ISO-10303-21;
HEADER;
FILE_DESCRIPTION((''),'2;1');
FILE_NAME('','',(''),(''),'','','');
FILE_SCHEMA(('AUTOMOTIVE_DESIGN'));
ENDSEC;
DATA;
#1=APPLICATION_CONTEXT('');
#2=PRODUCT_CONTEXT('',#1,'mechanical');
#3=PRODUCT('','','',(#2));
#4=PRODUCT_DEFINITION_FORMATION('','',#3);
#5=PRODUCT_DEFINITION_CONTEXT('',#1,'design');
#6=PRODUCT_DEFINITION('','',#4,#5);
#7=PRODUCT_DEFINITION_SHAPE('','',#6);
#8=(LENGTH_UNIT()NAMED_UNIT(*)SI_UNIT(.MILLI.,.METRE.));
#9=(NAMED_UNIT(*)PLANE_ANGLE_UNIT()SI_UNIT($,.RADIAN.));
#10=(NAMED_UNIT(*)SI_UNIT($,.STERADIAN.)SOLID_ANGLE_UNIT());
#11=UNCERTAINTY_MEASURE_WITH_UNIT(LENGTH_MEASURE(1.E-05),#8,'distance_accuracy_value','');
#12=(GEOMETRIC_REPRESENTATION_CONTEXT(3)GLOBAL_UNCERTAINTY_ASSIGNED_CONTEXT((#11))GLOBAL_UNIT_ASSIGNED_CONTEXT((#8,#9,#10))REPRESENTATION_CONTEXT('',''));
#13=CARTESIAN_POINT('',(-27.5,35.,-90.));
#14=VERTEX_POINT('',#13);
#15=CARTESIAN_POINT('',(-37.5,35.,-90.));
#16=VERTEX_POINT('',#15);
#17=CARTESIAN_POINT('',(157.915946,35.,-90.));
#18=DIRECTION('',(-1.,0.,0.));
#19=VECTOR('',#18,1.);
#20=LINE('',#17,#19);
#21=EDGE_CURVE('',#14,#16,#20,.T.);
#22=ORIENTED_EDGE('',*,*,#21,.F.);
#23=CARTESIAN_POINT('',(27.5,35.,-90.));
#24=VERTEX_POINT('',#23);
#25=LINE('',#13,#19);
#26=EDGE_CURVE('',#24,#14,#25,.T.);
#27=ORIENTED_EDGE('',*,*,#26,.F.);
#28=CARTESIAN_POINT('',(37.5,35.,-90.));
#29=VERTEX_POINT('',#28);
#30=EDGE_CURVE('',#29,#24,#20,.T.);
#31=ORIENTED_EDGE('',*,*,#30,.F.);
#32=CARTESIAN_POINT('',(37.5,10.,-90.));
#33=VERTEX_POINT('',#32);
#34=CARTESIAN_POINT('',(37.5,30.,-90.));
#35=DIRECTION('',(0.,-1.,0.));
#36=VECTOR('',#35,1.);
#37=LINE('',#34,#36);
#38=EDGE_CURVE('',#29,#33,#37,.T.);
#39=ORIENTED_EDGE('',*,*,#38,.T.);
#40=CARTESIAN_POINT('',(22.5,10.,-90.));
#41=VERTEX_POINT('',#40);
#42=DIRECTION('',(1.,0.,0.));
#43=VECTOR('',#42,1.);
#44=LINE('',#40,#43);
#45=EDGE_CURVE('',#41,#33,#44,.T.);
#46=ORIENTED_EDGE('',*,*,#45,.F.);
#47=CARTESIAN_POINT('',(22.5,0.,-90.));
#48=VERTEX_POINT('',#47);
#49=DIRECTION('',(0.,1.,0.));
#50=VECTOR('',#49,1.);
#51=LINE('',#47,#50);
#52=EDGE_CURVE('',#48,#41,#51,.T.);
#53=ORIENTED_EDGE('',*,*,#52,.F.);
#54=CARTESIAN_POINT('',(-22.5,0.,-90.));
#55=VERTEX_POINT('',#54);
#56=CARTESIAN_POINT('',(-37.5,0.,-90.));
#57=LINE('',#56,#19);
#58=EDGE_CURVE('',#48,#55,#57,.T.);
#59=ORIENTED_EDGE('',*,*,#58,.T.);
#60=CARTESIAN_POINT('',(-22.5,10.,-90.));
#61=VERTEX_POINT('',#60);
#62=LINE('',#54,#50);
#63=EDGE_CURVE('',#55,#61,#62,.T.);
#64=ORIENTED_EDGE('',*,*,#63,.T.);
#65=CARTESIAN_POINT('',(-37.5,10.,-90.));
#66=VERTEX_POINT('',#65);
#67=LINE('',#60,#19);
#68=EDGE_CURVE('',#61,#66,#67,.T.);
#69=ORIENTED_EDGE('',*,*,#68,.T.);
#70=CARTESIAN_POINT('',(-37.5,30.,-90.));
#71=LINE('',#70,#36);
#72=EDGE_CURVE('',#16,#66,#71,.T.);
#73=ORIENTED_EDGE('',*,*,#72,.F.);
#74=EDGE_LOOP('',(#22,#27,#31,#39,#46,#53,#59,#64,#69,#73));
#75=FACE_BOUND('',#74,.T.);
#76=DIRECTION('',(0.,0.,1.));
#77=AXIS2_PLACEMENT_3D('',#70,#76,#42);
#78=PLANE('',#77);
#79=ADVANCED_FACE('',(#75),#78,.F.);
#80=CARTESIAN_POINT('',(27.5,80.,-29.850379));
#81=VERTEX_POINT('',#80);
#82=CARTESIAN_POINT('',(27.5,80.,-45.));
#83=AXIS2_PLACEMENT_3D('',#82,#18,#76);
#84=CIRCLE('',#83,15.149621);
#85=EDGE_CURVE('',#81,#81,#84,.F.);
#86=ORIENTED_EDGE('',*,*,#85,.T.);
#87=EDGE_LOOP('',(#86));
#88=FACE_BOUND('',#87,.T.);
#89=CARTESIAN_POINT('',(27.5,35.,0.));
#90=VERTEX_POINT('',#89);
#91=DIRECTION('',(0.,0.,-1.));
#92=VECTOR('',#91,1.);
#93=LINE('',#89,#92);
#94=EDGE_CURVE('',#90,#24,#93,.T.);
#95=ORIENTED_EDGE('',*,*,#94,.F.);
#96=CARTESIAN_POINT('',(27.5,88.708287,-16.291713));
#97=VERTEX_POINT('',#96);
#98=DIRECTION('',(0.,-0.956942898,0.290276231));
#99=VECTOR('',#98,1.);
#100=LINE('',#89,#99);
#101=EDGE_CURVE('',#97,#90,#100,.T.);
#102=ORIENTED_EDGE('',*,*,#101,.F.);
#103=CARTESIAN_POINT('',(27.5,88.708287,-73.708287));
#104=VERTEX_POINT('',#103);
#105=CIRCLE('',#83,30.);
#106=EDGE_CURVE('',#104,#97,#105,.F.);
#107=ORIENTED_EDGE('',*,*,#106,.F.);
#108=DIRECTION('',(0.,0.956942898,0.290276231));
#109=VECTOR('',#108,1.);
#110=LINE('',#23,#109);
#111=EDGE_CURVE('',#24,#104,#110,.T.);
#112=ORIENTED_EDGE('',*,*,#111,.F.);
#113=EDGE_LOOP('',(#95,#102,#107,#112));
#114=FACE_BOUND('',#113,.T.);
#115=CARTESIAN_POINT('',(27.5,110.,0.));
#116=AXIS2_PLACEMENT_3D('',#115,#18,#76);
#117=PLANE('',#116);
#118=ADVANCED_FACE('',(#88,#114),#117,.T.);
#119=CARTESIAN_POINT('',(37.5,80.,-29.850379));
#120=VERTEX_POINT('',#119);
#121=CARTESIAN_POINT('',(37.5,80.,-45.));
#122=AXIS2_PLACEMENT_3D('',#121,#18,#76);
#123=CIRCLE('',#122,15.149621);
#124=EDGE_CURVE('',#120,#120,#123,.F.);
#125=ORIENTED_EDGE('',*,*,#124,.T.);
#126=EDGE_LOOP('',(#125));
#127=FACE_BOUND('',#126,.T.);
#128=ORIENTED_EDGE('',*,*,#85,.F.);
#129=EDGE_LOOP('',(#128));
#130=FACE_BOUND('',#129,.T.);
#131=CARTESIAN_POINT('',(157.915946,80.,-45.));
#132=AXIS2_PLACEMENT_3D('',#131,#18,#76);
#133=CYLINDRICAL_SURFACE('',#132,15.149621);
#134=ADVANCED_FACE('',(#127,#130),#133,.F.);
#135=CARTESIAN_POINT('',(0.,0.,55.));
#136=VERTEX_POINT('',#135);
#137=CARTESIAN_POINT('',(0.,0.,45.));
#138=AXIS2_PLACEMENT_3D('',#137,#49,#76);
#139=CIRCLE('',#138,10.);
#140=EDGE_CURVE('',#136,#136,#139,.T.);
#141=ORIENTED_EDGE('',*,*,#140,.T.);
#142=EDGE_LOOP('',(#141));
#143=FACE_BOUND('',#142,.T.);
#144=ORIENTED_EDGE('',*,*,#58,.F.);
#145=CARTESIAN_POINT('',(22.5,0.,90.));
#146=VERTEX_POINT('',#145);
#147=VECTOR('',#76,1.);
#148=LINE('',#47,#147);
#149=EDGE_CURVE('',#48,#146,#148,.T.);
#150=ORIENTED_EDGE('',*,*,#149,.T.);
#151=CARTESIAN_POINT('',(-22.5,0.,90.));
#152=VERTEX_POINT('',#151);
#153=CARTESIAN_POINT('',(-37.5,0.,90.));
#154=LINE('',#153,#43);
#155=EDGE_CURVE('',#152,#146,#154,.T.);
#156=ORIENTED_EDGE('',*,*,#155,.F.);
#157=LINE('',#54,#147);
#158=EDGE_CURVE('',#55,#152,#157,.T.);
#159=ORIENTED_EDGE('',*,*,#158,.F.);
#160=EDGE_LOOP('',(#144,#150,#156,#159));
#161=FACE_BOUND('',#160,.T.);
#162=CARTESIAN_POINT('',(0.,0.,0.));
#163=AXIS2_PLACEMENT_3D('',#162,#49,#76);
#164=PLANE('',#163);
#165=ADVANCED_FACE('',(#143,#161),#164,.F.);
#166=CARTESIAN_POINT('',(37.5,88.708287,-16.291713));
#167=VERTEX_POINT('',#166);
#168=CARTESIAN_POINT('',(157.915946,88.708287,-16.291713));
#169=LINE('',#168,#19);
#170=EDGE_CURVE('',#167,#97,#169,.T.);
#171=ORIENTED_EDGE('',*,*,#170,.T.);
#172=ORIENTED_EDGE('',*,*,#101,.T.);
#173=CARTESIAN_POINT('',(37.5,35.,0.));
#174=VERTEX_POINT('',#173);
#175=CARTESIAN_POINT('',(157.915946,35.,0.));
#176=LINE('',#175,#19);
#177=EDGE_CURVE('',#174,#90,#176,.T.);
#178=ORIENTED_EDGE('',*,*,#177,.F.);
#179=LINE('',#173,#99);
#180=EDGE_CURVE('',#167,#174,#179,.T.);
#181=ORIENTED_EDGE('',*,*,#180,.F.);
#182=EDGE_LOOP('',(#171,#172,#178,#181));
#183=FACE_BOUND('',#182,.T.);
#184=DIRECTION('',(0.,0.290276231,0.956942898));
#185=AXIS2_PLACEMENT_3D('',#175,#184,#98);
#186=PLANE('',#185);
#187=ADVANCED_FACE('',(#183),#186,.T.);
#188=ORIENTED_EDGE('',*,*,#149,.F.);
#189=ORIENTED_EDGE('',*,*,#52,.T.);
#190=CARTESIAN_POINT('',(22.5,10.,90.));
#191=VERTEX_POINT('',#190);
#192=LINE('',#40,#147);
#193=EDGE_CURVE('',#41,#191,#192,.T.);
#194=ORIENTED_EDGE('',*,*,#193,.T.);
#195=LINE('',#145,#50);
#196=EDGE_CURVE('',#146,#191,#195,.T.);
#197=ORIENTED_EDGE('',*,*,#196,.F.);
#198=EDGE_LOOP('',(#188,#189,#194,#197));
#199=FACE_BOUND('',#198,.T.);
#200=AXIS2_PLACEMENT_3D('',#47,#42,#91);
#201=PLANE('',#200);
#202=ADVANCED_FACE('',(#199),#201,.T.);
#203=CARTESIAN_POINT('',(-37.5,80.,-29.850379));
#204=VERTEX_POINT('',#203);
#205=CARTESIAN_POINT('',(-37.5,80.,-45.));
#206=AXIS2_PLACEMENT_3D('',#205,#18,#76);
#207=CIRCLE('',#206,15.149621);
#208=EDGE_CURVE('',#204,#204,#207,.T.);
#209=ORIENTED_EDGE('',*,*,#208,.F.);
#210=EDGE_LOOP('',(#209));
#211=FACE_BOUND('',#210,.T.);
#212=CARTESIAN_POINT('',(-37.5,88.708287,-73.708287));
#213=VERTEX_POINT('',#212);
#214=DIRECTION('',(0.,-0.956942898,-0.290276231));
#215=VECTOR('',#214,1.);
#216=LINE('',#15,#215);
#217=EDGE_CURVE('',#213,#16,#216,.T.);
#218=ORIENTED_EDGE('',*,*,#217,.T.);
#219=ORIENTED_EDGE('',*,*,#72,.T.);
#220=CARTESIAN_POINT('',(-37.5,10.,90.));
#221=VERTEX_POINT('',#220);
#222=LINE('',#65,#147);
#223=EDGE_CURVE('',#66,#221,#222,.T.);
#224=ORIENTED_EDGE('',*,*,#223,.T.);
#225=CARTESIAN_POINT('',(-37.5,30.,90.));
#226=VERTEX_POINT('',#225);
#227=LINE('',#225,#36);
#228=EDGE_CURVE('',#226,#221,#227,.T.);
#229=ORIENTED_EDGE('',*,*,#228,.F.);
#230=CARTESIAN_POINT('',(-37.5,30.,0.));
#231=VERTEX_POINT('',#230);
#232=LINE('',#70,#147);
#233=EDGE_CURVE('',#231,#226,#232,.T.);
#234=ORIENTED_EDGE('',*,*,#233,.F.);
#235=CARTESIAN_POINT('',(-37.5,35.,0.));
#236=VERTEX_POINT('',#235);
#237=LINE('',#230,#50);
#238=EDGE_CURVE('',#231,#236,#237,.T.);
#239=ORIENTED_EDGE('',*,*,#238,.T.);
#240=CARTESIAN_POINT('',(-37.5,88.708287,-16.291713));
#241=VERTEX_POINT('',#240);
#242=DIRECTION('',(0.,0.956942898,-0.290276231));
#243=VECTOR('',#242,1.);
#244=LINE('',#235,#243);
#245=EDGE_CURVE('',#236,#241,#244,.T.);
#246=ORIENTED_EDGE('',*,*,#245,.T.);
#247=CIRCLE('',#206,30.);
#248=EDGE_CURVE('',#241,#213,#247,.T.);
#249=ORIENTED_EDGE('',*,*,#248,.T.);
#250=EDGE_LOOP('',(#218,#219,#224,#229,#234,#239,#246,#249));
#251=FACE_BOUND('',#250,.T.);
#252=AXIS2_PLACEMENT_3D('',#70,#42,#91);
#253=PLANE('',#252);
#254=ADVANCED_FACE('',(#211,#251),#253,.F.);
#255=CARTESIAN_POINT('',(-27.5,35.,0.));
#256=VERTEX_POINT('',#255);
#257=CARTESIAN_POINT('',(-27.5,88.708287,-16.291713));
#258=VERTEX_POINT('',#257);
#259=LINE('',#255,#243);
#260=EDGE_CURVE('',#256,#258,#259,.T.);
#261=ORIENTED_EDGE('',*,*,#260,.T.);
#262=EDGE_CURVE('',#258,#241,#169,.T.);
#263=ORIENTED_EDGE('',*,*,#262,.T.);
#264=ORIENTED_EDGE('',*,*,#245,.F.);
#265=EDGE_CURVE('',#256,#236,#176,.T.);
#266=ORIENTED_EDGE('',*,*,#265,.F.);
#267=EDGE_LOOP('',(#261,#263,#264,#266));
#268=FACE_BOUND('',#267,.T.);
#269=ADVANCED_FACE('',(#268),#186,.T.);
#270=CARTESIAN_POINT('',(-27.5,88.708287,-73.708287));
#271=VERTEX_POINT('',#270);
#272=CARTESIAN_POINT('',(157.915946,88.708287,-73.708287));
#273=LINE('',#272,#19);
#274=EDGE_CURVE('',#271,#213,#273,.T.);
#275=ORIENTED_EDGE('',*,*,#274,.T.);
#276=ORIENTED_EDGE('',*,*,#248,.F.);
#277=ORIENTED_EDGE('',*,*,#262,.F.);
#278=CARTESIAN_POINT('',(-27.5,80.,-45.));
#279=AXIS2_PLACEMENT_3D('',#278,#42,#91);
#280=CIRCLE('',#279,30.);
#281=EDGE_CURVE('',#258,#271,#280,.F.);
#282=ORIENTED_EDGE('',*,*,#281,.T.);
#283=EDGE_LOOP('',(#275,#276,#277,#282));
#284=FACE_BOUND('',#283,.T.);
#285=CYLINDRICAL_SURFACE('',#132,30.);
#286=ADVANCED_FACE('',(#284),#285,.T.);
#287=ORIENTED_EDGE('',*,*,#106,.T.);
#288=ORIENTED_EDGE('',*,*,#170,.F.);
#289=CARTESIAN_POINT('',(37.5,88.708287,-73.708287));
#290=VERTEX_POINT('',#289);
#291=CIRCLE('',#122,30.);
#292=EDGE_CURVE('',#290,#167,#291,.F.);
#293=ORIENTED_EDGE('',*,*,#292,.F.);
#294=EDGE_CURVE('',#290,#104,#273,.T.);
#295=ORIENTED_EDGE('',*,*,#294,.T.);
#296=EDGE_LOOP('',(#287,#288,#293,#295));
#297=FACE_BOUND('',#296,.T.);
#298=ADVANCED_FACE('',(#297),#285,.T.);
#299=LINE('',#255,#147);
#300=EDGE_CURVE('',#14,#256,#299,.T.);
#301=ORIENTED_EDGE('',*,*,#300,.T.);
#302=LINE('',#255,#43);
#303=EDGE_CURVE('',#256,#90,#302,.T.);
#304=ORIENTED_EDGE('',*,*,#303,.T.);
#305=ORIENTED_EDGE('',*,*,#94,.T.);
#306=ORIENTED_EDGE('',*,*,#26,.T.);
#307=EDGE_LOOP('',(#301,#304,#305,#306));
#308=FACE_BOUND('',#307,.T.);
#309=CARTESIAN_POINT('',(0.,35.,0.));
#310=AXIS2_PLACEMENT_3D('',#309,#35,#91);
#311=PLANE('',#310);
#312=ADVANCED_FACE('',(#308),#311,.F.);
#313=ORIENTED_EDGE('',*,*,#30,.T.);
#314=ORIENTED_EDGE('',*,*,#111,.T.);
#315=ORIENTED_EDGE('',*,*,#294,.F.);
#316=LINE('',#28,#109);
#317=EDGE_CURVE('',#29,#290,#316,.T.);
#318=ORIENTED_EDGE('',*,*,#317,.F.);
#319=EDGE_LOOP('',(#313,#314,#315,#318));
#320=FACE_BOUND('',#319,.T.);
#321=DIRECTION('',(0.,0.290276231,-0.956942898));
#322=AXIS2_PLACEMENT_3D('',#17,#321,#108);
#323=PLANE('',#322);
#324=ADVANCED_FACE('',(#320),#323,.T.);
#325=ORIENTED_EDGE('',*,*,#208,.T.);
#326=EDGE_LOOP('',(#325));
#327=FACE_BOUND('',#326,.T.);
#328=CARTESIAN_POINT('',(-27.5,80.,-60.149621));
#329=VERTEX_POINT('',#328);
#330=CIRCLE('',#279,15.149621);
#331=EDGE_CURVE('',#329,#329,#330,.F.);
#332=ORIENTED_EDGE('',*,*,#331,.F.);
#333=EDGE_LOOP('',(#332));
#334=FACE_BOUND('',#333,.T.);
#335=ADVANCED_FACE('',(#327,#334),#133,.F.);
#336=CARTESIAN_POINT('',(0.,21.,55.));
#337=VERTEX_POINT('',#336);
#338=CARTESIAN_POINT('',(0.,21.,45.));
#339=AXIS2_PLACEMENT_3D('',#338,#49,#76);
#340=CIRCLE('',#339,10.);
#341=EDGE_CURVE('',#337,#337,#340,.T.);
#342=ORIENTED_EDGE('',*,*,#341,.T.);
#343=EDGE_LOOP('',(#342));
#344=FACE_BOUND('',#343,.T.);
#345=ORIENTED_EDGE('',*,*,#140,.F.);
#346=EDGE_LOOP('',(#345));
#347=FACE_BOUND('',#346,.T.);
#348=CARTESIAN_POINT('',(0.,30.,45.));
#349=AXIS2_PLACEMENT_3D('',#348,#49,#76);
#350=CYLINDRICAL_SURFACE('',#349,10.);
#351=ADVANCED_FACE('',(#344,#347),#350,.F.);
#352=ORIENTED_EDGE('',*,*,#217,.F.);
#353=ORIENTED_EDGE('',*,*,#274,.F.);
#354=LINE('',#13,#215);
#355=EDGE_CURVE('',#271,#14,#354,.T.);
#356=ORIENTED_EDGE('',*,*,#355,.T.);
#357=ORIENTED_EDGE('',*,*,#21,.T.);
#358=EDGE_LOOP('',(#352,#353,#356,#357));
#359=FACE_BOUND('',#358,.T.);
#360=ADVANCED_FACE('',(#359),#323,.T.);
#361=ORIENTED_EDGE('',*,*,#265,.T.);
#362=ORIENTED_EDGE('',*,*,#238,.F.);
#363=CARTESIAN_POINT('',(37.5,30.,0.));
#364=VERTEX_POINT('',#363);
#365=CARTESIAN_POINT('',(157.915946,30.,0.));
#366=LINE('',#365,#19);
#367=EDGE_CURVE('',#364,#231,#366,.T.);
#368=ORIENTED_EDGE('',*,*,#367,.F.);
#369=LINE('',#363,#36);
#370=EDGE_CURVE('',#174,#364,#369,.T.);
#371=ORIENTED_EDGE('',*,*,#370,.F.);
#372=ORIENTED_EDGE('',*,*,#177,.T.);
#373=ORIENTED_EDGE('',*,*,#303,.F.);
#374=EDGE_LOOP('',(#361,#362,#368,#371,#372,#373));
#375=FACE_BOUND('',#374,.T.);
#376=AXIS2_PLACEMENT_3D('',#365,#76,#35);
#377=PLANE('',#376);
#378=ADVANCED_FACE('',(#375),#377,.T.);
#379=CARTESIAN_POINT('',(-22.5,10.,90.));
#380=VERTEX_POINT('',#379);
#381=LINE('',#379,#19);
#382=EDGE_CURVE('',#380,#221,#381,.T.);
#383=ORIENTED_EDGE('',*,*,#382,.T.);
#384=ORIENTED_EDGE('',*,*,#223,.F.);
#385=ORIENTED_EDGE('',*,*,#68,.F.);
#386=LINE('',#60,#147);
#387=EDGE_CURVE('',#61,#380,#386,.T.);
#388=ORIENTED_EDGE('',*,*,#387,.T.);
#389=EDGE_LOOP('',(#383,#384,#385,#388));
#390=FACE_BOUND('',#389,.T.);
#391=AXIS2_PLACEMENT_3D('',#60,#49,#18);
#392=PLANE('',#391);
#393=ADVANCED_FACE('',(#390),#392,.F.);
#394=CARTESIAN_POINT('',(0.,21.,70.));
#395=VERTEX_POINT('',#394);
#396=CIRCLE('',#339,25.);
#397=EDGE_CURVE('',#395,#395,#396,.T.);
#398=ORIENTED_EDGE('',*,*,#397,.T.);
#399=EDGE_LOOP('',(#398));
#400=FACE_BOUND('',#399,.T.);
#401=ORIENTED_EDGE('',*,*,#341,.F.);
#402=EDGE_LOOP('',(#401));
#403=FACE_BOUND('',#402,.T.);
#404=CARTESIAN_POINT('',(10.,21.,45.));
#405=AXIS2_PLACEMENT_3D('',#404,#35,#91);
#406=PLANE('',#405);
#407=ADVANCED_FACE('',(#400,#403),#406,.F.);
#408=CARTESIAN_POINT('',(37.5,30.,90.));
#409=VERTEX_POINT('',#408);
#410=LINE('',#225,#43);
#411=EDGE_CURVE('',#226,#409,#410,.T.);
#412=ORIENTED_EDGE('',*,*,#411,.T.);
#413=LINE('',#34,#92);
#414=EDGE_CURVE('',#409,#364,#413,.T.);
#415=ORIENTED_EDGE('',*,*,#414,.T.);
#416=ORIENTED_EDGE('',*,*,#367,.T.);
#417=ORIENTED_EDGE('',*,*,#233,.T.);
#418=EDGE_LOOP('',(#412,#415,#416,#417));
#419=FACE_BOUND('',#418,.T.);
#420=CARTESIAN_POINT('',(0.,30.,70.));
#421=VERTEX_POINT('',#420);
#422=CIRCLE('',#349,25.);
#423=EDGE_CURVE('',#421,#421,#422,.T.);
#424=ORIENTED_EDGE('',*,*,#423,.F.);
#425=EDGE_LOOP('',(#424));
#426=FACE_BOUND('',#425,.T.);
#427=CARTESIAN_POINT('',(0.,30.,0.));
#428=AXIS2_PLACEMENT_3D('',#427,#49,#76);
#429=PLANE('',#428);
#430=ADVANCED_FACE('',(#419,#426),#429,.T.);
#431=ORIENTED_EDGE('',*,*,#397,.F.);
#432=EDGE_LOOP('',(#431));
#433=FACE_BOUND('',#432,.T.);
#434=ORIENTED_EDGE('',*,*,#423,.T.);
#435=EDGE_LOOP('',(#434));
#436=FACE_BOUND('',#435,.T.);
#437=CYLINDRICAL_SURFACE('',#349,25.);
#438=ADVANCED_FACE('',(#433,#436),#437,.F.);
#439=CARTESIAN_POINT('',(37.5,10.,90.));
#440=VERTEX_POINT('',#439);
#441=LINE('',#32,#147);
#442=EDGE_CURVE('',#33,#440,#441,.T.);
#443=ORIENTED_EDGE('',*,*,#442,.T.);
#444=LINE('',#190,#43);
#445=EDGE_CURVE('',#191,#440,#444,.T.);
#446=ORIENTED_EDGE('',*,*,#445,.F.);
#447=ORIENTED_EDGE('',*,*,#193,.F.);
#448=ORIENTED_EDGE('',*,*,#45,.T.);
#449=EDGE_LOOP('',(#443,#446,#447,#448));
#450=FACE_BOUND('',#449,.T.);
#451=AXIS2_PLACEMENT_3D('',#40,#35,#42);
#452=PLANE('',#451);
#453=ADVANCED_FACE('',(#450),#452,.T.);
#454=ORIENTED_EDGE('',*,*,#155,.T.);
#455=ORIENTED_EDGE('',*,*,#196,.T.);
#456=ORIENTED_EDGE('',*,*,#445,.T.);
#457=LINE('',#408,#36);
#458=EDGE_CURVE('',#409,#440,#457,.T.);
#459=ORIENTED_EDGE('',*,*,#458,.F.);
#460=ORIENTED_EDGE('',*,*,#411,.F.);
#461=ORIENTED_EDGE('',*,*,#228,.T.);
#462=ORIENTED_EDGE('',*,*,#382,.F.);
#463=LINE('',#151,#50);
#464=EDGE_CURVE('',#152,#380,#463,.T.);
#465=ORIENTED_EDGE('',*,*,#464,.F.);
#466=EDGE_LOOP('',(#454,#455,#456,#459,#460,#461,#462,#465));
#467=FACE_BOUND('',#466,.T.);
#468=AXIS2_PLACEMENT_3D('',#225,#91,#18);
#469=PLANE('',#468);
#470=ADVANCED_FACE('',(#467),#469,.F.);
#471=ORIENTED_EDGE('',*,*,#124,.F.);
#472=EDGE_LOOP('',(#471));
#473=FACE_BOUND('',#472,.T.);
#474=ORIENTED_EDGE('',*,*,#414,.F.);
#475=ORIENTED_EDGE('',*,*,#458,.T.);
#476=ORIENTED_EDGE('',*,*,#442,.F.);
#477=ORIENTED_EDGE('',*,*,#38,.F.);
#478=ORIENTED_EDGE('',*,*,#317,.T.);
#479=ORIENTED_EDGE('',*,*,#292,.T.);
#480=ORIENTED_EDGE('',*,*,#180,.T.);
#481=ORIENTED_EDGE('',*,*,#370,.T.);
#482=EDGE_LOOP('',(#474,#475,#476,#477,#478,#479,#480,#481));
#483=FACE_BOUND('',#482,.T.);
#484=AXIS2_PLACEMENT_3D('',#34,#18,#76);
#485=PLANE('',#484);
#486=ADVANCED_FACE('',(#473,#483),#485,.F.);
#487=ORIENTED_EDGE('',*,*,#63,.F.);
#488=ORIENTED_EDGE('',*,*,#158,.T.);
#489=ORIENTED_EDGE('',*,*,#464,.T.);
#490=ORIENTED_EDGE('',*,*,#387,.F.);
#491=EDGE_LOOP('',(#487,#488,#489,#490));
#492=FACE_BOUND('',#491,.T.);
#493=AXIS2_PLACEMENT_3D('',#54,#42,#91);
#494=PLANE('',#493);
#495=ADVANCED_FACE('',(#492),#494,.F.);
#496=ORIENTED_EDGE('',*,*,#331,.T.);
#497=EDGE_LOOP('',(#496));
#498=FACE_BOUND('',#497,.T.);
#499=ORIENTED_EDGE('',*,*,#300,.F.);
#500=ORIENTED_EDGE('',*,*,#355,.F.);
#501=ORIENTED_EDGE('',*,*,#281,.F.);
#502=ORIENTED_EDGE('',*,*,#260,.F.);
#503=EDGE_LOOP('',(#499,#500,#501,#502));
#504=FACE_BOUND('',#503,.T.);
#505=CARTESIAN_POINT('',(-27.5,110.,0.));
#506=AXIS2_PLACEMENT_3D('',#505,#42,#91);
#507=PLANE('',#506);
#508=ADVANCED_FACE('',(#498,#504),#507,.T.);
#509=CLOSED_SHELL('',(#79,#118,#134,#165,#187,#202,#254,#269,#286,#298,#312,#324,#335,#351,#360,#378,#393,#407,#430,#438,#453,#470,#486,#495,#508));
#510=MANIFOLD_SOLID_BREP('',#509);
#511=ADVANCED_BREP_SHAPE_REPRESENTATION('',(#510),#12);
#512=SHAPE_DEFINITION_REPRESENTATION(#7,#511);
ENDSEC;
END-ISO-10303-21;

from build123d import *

# Parameters (mm, degrees)
SKETCH1_W           = 75
SKETCH1_H           = 180
BOSS_EXTRUDE1_DEPTH = 30
SKETCH2_W           = 15
SKETCH2_H           = 10
CUT_EXTRUDE1_DEPTH  = 187.296135226
SKETCH3_R           = 15.149621256
BOSS_EXTRUDE2_DEPTH = 75
CUT_EXTRUDE2_START  = 5
SKETCH4_W           = 55
SKETCH4_H           = 90
CUT_EXTRUDE2_DEPTH  = 122.119982556
HOLE1_D             = 20
HOLE1_CBORE_D       = 50
HOLE1_CBORE_DEPTH   = 9


with BuildPart() as part:
    # Sketch1 → Boss-Extrude1 (new body)
    with BuildSketch(Plane(origin=(0, 0, 0), x_dir=(1, 0, 0), z_dir=(0, 1, 0))):
        Rectangle(SKETCH1_W, SKETCH1_H)
    extrude(amount=BOSS_EXTRUDE1_DEPTH)

    # Sketch2 → Cut-Extrude1 (cut, through all)
    with BuildSketch(Plane.XY.offset(90)):
        with Locations((-30, 5)):
            Rectangle(SKETCH2_W, SKETCH2_H)
    cut_extrude1 = extrude(amount=-CUT_EXTRUDE1_DEPTH, mode=Mode.SUBTRACT)

    # Mirror1: Cut-Extrude1 across plane
    add(cut_extrude1.mirror(Plane(origin=(0, 0, 0), x_dir=(0, 0, 1), z_dir=(1, 0, 0))), mode=Mode.SUBTRACT)

    # Sketch3 → Boss-Extrude2 (add)
    with BuildSketch(Plane.ZY.offset(37.5)):
        with BuildLine():
            Line((-90, 30), (-90, 35))
            Line((-90, 35), (-73.708286934, 88.708286934))
            ThreePointArc((-73.708286934, 88.708286934), (-45, 110), (-16.291713066, 88.708286934))
            Line((-16.291713066, 88.708286934), (0, 35))
            Line((0, 35), (0, 30))
            Line((0, 30), (-90, 30))
        make_face()
        with Locations((-45, 80)):
            Circle(SKETCH3_R, mode=Mode.SUBTRACT)
    extrude(amount=-BOSS_EXTRUDE2_DEPTH)

    # Sketch4 → Cut-Extrude2 (cut, through all)
    with BuildSketch(Plane(origin=(0, 30, 0), x_dir=(1, 0, 0), z_dir=(0, 1, 0)).offset(CUT_EXTRUDE2_START)):
        with Locations((0, 45)):
            Rectangle(SKETCH4_W, SKETCH4_H)
    extrude(amount=CUT_EXTRUDE2_DEPTH, mode=Mode.SUBTRACT)

    # Hole1 (through all)
    with Locations(Plane(origin=(0, 30, 0), x_dir=(1, 0, 0), z_dir=(0, 1, 0))):
        with Locations((0, -45)):
            CounterBoreHole(HOLE1_D / 2, HOLE1_CBORE_D / 2, HOLE1_CBORE_DEPTH)


solid = part.part
